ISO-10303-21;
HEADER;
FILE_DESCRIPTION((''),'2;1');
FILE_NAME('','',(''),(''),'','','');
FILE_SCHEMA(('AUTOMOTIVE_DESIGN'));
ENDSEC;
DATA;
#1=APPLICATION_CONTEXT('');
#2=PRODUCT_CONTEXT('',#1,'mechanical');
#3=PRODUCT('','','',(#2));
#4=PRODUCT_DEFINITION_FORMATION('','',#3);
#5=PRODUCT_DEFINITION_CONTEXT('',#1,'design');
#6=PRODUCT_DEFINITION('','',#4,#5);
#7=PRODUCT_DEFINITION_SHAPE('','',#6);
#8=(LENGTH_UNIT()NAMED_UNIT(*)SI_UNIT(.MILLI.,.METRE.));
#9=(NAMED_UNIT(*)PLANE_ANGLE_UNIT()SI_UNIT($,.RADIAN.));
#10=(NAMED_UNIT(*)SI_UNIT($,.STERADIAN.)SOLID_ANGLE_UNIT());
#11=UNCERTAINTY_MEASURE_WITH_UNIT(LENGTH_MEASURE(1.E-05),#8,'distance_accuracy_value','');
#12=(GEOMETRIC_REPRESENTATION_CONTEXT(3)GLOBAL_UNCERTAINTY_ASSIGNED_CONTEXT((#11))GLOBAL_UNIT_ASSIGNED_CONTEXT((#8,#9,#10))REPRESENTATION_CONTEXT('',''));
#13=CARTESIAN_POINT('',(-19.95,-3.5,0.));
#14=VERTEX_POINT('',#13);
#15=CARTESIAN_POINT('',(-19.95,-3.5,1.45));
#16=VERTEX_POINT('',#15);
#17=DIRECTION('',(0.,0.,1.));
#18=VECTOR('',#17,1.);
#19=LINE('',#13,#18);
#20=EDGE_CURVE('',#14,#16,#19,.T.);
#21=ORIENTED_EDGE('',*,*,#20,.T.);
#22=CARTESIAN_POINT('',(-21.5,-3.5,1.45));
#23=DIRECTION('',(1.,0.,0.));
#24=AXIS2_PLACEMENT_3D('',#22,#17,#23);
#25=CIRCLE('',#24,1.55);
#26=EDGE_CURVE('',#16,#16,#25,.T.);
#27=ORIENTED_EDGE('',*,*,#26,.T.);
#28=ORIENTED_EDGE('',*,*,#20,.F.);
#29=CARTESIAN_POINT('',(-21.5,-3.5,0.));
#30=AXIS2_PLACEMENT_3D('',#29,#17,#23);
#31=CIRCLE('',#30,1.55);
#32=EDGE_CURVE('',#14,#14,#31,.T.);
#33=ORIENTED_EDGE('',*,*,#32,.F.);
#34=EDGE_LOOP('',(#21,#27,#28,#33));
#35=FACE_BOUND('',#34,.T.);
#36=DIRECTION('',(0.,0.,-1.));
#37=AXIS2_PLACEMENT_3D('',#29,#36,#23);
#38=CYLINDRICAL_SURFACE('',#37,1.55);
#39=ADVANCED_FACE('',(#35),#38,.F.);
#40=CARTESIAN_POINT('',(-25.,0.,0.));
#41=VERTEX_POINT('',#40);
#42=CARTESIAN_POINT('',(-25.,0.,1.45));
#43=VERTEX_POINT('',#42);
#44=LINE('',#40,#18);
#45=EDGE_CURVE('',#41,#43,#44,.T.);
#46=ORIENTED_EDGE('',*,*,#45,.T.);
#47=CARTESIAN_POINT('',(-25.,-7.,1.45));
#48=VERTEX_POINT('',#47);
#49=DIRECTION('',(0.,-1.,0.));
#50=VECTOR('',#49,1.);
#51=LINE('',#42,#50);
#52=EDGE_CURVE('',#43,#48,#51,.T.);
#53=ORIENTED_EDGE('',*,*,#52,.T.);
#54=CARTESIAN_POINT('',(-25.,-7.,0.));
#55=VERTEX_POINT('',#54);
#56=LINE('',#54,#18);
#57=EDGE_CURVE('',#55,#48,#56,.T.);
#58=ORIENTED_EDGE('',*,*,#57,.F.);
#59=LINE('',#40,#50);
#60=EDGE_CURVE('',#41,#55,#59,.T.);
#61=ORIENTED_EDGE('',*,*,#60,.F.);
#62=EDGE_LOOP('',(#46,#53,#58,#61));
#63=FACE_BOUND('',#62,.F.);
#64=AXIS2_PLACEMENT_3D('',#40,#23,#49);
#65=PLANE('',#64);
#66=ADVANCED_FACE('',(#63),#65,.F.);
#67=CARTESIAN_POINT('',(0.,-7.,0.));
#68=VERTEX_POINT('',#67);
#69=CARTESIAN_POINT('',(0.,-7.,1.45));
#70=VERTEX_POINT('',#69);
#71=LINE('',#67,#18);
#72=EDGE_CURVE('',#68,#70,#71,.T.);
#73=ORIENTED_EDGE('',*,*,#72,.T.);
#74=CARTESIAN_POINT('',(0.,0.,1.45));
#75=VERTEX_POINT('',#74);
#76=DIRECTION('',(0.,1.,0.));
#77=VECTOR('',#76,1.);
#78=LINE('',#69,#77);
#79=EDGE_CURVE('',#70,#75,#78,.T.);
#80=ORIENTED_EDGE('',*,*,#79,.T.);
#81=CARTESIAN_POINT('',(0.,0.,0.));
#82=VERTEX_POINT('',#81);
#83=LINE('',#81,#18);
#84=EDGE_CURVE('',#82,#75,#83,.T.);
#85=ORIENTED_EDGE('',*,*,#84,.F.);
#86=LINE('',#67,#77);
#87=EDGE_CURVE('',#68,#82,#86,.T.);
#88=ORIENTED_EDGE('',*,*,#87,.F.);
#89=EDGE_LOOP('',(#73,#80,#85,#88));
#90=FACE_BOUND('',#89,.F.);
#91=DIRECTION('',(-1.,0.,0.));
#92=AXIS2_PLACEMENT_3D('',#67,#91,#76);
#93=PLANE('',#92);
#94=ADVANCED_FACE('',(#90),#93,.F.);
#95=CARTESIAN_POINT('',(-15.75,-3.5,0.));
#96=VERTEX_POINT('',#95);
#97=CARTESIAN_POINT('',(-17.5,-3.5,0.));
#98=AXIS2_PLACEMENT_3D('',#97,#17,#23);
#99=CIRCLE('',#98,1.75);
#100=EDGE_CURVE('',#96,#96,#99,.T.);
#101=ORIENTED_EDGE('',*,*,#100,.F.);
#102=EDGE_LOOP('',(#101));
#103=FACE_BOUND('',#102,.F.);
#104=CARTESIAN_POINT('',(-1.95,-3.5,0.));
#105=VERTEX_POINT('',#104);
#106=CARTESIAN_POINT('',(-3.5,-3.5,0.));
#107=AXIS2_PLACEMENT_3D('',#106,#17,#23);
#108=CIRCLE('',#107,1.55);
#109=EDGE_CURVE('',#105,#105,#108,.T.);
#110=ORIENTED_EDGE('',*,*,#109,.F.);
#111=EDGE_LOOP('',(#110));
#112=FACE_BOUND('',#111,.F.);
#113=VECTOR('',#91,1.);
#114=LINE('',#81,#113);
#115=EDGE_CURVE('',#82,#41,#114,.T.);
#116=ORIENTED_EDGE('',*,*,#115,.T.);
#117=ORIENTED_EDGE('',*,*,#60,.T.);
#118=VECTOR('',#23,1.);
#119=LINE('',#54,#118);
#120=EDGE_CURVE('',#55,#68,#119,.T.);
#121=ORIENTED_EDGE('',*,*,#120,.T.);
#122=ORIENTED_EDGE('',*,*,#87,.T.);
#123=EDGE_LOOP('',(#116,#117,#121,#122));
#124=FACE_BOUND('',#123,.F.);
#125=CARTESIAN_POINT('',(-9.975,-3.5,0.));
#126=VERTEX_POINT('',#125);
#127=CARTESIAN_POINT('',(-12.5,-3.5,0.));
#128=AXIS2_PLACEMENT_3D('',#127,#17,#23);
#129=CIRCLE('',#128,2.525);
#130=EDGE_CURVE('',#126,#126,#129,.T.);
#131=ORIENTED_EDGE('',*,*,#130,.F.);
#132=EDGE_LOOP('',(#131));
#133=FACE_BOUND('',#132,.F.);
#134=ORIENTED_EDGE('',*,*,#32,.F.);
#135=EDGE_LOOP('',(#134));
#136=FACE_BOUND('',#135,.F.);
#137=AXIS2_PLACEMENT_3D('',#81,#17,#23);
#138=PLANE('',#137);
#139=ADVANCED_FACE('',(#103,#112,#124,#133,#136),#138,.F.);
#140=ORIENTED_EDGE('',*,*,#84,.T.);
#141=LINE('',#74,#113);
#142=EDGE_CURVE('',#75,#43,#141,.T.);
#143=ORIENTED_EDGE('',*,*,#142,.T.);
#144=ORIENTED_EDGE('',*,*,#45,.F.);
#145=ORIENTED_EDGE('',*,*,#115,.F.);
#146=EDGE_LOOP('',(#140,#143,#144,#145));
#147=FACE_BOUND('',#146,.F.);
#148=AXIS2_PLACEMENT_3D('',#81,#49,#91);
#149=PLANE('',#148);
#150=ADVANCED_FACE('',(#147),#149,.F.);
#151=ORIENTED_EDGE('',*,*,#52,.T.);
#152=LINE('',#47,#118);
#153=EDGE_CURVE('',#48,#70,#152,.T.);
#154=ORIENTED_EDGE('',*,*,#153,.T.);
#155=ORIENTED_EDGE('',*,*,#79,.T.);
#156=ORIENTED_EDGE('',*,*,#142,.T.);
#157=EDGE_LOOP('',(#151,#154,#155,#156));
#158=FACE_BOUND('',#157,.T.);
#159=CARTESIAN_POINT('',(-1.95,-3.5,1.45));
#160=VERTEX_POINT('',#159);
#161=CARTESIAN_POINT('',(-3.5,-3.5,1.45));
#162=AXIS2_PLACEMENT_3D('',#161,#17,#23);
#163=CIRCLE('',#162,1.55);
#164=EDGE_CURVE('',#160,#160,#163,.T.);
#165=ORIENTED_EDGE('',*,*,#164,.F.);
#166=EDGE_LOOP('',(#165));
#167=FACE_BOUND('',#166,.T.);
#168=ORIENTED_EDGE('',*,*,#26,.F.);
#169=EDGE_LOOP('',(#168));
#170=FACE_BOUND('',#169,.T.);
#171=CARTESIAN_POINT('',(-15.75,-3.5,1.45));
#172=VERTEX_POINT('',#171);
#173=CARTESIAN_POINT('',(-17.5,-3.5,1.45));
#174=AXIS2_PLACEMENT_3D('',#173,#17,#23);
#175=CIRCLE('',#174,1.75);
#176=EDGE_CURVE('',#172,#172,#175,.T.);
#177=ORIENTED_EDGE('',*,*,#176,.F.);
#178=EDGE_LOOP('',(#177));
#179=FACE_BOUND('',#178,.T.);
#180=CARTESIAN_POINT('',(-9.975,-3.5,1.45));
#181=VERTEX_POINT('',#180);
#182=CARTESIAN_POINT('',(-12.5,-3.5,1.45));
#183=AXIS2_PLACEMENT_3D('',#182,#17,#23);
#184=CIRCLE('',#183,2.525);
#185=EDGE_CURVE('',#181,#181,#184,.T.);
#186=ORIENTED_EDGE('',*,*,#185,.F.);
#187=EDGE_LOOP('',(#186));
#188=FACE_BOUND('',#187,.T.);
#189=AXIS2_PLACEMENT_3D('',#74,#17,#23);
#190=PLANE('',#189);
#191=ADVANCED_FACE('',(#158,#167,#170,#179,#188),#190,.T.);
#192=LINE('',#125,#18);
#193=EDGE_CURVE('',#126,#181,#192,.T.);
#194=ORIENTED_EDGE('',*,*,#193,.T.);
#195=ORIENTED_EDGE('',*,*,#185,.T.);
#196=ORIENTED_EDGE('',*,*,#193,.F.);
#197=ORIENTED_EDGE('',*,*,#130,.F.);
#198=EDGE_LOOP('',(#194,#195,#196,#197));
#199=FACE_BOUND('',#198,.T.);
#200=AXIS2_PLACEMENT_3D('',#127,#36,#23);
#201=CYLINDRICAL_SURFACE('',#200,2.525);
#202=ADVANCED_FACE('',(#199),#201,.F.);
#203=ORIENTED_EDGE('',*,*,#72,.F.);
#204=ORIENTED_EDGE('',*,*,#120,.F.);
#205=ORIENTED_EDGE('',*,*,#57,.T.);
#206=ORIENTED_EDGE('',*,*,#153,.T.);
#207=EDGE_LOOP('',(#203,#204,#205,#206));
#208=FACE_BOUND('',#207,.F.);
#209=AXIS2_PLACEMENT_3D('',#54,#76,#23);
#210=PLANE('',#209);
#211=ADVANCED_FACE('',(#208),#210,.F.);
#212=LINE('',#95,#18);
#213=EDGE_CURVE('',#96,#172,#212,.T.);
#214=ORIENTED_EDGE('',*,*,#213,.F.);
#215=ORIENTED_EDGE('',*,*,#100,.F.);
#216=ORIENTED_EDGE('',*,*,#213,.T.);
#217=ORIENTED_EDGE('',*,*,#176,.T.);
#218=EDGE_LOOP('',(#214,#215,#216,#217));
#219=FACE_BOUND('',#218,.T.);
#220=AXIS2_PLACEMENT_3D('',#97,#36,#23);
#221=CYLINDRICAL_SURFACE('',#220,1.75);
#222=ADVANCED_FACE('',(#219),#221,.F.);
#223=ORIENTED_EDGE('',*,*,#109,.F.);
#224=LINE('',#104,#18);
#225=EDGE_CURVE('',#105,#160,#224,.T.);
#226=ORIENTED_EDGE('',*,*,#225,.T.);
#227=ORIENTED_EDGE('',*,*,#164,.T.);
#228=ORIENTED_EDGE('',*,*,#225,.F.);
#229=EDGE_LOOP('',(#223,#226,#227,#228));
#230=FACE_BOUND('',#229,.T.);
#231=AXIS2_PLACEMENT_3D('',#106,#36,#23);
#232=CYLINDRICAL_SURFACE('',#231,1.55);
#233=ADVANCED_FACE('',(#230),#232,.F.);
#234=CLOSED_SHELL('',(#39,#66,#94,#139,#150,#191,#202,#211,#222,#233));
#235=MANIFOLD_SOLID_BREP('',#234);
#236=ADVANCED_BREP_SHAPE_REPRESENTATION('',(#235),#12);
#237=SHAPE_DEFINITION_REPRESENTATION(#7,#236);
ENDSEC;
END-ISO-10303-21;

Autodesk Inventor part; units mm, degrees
ref_plane "YZ Plane" through (0, 0, 0) normal (1, 0, 0) x (0, 1, 0)
ref_plane "XZ Plane" through (0, 0, 0) normal (0, 1, 0) x (-1, 0, 0)
ref_plane "XY Plane" through (0, 0, 0) normal (0, 0, 1) x (1, 0, 0)
sketch "Sketch1" plane through (0, 0, 0) normal (0, 0, 1) x (1, 0, 0)
  line L0 (0, 0) -> (-25, 0)
  line L1 (-25, 0) -> (-25, -7)
  line L2 (-25, -7) -> (0, -7)
  line L3 (0, -7) -> (0, 0)
  circle A0 centre (-21.5, -3.5) radius 1.55
  circle A1 centre (-3.5, -3.5) radius 1.55
  circle A2 centre (-12.5, -3.5) radius 2.525
  circle A3 centre (-17.5, -3.5) radius 1.75
extrude "Extrusion1" add sketch "Sketch1" along normal blind 1.45
properties part number "lightGasket" material "Rubber"
